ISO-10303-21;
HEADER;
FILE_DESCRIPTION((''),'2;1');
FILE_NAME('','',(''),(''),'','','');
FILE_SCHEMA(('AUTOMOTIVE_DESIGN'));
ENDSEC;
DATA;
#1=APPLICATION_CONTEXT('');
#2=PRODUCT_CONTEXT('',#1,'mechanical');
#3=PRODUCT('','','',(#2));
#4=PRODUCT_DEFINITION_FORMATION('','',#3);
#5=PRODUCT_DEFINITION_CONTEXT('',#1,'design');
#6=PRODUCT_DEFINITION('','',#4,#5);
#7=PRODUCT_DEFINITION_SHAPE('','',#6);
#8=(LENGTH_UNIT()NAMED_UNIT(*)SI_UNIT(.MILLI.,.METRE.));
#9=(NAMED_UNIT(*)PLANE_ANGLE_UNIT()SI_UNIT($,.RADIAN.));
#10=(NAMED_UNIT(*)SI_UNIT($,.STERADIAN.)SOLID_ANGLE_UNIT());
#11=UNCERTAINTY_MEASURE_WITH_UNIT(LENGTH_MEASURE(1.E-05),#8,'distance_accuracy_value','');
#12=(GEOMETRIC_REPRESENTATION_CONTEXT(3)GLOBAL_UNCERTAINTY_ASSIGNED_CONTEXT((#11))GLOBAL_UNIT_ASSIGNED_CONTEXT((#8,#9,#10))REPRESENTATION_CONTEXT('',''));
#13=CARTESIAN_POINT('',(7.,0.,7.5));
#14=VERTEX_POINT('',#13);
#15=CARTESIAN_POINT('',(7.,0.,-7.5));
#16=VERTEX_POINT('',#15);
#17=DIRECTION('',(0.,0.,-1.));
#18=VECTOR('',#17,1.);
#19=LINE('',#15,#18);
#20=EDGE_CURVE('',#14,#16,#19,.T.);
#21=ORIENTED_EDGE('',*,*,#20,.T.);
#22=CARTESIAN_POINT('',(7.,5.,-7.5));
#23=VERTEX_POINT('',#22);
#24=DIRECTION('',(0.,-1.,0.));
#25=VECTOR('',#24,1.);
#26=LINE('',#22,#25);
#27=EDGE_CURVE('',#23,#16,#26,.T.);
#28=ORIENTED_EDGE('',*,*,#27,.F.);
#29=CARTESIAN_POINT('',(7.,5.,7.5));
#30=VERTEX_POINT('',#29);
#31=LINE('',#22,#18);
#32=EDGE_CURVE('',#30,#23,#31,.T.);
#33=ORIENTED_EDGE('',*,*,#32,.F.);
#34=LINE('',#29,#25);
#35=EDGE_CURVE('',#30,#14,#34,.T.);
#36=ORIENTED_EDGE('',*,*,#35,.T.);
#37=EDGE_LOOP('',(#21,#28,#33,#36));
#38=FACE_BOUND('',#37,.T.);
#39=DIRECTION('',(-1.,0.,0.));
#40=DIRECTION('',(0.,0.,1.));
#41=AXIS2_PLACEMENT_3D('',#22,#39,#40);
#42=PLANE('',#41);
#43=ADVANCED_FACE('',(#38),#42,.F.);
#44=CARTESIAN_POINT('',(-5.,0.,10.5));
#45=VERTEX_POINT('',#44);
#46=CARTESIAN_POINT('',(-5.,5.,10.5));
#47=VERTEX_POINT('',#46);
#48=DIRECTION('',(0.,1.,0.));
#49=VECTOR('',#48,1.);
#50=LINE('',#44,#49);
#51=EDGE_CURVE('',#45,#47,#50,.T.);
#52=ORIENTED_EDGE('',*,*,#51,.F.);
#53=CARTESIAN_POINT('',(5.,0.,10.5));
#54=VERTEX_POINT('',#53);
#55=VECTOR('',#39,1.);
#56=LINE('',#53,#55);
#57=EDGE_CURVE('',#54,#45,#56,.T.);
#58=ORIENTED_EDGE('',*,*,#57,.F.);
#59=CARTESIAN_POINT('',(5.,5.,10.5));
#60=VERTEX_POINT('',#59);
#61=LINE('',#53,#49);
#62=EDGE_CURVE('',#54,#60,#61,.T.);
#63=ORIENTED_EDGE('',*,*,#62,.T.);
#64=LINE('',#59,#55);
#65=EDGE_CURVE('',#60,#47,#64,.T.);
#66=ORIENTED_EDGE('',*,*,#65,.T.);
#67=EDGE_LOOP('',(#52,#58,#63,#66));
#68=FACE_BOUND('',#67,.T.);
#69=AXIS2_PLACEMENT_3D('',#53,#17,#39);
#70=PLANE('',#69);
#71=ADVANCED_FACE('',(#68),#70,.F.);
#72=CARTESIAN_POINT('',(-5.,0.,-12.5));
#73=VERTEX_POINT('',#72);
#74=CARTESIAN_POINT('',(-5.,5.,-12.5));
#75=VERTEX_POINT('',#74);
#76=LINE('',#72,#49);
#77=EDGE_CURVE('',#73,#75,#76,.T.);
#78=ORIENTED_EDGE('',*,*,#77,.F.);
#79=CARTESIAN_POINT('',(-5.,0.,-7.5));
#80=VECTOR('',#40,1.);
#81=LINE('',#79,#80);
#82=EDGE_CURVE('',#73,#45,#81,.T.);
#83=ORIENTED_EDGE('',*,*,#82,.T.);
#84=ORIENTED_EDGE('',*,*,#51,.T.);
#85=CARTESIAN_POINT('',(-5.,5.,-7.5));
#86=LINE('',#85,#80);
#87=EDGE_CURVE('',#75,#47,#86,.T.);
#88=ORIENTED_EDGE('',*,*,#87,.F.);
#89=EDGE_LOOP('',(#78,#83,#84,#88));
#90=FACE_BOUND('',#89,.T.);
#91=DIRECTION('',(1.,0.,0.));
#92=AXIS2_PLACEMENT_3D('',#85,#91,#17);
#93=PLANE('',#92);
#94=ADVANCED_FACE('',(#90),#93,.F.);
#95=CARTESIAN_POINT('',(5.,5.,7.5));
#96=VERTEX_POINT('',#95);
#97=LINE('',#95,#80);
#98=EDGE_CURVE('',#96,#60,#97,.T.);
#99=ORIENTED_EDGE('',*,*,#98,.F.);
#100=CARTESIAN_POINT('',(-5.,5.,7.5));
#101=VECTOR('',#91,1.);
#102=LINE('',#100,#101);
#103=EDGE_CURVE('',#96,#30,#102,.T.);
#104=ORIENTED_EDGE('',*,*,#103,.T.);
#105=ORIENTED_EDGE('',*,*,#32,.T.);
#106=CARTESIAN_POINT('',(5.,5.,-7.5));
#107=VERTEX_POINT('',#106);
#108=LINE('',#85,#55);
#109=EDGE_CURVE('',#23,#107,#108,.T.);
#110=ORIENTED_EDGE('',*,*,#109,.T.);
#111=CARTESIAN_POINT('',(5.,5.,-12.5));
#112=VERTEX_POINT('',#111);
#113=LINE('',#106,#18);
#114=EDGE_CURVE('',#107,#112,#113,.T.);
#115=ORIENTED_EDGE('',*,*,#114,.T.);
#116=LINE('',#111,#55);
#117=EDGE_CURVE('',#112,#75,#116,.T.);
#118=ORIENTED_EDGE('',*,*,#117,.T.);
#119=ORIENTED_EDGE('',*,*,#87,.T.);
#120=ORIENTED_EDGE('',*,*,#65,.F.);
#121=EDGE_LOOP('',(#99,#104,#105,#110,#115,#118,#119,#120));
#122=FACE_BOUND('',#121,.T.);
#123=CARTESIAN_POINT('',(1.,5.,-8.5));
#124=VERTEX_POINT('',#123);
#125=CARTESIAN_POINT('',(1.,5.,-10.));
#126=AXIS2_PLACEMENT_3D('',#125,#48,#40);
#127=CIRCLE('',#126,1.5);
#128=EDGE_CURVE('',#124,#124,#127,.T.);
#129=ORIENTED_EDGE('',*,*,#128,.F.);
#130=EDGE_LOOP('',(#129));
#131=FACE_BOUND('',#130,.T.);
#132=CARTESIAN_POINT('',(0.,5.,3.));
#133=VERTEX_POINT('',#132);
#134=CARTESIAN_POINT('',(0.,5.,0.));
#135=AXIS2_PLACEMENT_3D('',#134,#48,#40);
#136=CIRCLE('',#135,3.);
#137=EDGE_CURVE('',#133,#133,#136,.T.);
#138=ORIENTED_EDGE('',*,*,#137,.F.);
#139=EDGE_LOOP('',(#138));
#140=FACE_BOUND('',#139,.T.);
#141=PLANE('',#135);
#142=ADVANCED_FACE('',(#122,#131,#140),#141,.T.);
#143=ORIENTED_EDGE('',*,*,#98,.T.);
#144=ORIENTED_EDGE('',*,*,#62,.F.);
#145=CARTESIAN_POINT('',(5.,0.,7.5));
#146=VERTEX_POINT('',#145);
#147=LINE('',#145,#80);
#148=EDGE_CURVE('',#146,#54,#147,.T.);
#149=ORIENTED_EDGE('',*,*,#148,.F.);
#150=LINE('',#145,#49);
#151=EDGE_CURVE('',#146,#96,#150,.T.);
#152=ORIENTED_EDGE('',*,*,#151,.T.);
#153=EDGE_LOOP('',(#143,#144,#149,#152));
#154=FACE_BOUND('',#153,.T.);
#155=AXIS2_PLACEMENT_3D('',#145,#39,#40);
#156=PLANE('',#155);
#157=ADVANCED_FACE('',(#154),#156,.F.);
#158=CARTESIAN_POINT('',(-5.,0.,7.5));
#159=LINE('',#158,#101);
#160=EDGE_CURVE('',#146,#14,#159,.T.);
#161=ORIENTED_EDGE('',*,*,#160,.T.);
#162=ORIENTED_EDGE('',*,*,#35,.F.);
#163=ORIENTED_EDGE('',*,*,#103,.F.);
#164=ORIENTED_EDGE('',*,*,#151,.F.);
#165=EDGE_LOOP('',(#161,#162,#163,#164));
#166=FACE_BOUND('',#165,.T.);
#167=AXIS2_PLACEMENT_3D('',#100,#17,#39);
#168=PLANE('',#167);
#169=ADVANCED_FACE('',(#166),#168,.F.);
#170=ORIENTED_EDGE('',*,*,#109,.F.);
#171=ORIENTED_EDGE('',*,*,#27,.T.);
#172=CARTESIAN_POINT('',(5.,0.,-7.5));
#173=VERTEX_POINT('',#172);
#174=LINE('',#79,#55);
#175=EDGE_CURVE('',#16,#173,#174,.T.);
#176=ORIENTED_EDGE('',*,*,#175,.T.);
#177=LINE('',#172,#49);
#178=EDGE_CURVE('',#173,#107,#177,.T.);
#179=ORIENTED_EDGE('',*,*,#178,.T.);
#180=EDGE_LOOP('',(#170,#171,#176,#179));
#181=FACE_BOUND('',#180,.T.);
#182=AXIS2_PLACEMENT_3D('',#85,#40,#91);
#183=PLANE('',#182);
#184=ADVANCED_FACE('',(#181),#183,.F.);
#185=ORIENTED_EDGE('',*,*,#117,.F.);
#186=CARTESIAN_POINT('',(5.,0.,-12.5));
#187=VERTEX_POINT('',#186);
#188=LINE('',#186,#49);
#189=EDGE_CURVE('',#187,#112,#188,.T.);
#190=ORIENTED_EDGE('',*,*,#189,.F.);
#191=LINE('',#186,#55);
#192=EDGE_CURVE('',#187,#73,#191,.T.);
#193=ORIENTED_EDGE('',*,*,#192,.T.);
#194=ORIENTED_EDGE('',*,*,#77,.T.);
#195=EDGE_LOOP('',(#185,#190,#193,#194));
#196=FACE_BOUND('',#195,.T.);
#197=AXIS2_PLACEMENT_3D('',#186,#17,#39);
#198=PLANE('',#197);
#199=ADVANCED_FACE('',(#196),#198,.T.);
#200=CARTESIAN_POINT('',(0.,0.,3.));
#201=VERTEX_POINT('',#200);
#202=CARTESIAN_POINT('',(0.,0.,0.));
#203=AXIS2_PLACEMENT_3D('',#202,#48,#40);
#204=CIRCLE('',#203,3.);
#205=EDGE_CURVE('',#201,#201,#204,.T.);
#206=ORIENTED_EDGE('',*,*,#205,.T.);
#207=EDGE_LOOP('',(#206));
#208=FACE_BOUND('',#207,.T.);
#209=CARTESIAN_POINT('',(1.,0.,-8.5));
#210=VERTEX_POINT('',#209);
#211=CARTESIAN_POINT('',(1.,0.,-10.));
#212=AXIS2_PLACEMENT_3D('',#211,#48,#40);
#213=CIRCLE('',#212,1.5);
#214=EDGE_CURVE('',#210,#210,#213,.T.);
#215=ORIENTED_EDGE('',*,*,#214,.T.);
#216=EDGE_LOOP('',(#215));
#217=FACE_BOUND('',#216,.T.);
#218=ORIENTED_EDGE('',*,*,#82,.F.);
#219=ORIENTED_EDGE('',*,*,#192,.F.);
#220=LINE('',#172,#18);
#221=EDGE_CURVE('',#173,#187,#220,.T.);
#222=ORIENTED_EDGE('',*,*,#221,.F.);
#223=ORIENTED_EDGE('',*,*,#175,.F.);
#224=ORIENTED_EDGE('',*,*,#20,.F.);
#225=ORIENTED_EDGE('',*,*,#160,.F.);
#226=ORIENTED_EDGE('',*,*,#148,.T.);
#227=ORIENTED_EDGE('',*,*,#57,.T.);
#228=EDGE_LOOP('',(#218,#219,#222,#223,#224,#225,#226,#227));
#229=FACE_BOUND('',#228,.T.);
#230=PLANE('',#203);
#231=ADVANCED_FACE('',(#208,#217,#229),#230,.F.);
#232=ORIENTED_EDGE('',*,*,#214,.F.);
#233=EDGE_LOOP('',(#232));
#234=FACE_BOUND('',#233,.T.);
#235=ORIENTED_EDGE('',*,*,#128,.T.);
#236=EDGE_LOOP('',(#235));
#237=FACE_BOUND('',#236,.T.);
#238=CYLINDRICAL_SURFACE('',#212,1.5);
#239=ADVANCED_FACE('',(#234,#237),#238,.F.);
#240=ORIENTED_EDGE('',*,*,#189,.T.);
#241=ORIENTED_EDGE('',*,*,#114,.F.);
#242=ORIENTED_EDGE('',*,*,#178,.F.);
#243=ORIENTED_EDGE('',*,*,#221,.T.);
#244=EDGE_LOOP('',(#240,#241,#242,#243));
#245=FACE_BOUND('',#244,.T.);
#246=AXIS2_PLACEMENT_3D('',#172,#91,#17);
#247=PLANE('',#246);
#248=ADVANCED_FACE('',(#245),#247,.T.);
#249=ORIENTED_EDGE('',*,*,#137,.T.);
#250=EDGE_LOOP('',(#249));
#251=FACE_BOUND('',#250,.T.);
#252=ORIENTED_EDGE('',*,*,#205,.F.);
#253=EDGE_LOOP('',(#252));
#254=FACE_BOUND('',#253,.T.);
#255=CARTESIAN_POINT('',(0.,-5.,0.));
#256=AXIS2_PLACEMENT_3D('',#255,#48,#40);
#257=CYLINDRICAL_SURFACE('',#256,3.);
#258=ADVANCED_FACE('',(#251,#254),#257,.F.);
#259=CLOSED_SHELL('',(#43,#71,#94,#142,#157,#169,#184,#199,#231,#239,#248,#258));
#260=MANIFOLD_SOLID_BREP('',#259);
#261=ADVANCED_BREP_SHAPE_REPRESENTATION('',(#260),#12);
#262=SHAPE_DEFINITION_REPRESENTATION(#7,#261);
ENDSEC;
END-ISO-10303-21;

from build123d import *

# Parameters (mm, degrees)
ESQUISSE1_W             = 12
ESQUISSE1_H             = 15
BOSS_EXTRU_1_DEPTH      = 5
ESQUISSE2_W             = 10
ESQUISSE2_H             = 5
ESQUISSE2_H_2           = 3
BOSS_EXTRU_2_DEPTH      = 5
ESQUISSE3_R             = 1.5
ENL_V_MAT_EXTRU_1_DEPTH = 5
ESQUISSE4_R             = 3
ENL_V_MAT_EXTRU_2_DEPTH = 10


with BuildPart() as part:
    # Esquisse1 → Boss.-Extru.1 (new body)
    with BuildSketch(Plane(origin=(0, 0, 0), x_dir=(1, 0, 0), z_dir=(0, 1, 0))):
        with Locations((1, 0)):
            Rectangle(ESQUISSE1_W, ESQUISSE1_H)
    extrude(amount=BOSS_EXTRU_1_DEPTH)

    # Esquisse2 → Boss.-Extru.2 (add)
    with BuildSketch(Plane(origin=(0, 5, 0), x_dir=(1, 0, 0), z_dir=(0, 1, 0))):
        with Locations((0, 10)):
            Rectangle(ESQUISSE2_W, ESQUISSE2_H)
        with Locations((0, -9)):
            Rectangle(ESQUISSE2_W, ESQUISSE2_H_2)
    extrude(amount=-BOSS_EXTRU_2_DEPTH)

    # Esquisse3 → Enlèv. mat.-Extru.1 (cut)
    with BuildSketch(Plane(origin=(0, 5, 0), x_dir=(1, 0, 0), z_dir=(0, 1, 0))):
        with Locations((1, 10)):
            Circle(ESQUISSE3_R)
    extrude(amount=-ENL_V_MAT_EXTRU_1_DEPTH, mode=Mode.SUBTRACT)

    # Esquisse4 → Enlèv. mat.-Extru.2 (cut)
    with BuildSketch(Plane(origin=(0, 5, 0), x_dir=(1, 0, 0), z_dir=(0, 1, 0))):
        Circle(ESQUISSE4_R)
    extrude(amount=-ENL_V_MAT_EXTRU_2_DEPTH, mode=Mode.SUBTRACT)


solid = part.part
